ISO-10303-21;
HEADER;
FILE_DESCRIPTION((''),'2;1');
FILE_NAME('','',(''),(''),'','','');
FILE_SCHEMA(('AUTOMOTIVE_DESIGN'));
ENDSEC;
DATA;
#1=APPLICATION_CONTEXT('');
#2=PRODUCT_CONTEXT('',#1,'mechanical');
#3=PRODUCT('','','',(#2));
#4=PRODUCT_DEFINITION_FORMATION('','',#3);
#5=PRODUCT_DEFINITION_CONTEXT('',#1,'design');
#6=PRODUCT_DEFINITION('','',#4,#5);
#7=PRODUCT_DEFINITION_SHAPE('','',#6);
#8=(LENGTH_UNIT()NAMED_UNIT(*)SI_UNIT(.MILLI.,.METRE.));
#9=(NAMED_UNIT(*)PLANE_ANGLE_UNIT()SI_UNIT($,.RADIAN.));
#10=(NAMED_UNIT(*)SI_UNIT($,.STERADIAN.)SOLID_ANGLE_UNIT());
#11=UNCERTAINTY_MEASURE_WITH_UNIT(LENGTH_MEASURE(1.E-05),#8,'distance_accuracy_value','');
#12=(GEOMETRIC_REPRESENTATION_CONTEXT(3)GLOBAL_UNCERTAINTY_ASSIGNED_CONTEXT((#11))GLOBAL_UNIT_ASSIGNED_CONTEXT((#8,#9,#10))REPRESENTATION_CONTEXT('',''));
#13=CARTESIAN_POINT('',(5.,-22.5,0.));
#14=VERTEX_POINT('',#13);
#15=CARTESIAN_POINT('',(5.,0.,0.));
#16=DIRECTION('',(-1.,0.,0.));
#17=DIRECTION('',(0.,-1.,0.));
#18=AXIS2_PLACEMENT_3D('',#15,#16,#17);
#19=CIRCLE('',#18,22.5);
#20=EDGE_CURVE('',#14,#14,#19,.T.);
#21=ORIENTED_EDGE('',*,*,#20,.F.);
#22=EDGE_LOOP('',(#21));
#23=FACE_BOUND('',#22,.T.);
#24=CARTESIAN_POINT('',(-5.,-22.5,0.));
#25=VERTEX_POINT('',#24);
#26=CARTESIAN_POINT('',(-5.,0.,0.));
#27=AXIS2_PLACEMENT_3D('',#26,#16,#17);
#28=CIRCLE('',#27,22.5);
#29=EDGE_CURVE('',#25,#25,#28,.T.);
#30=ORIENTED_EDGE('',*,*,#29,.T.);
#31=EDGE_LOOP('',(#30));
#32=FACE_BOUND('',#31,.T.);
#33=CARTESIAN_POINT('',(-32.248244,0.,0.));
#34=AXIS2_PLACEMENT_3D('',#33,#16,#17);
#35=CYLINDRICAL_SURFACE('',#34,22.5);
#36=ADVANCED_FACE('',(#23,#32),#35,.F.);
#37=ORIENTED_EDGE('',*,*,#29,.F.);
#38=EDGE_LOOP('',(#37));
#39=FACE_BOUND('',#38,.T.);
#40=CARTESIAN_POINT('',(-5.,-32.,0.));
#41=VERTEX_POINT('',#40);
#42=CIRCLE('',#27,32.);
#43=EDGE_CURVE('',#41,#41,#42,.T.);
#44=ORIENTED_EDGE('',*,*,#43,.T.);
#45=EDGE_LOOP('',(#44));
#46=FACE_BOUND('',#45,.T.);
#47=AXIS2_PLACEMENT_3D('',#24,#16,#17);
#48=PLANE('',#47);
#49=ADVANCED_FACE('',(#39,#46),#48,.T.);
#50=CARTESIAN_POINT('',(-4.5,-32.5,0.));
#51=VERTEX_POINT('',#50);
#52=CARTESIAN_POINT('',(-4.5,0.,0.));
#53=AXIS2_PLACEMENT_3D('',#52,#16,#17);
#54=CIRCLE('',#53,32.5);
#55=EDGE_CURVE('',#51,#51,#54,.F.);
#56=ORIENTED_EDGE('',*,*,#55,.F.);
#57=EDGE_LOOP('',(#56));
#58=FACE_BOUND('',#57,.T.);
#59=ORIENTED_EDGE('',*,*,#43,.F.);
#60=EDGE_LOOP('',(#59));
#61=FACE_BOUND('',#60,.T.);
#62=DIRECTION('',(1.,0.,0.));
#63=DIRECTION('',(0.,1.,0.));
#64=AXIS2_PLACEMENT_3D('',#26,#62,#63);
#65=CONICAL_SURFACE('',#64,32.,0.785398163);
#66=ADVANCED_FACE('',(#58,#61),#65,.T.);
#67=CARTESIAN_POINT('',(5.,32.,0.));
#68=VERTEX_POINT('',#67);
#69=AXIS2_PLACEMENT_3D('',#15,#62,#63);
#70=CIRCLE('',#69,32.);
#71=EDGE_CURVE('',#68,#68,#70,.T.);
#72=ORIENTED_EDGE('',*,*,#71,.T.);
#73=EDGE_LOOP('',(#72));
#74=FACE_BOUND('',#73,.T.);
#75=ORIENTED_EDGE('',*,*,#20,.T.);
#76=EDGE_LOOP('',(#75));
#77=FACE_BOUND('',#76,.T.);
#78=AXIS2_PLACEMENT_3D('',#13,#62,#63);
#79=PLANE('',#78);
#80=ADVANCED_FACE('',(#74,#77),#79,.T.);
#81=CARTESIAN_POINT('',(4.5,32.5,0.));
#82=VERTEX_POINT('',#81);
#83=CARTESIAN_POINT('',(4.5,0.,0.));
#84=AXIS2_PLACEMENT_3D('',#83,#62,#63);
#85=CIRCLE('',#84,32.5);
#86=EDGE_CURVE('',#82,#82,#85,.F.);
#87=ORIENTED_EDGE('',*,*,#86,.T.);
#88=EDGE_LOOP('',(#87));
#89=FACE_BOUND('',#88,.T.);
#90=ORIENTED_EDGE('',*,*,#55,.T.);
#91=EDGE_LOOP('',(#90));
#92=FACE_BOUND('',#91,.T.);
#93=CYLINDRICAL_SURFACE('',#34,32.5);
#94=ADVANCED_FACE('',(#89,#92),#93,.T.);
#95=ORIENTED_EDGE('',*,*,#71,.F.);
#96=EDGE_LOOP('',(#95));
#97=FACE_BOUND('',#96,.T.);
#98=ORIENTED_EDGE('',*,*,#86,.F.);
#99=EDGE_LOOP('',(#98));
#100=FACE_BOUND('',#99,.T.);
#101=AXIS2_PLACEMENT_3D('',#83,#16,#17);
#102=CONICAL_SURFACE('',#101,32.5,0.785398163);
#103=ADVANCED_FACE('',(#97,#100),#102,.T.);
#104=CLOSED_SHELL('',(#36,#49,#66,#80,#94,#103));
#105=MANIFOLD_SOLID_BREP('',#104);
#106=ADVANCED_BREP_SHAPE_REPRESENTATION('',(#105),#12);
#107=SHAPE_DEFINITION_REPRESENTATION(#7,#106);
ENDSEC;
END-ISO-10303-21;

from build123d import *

# Parameters (mm, degrees)
SKETCH1_W     = 10
SKETCH1_H     = 10
CHAMFER1_SIZE = 0.5


with BuildPart() as part:
    # Sketch1 → Revolve1 (revolve)
    with BuildSketch(Plane.XY):
        with Locations((0, -27.5)):
            Rectangle(SKETCH1_W, SKETCH1_H)
    revolve(axis=Axis((-32.24824356, 0, 0), (1, 0, 0)))

    # Chamfer1
    chamfer1_edges = [part.edges().sort_by_distance(p)[0] for p in [
        (5, 32.5, 0),
        (-5, 32.5, 0),
    ]]
    chamfer(chamfer1_edges, length=CHAMFER1_SIZE)


solid = part.part
